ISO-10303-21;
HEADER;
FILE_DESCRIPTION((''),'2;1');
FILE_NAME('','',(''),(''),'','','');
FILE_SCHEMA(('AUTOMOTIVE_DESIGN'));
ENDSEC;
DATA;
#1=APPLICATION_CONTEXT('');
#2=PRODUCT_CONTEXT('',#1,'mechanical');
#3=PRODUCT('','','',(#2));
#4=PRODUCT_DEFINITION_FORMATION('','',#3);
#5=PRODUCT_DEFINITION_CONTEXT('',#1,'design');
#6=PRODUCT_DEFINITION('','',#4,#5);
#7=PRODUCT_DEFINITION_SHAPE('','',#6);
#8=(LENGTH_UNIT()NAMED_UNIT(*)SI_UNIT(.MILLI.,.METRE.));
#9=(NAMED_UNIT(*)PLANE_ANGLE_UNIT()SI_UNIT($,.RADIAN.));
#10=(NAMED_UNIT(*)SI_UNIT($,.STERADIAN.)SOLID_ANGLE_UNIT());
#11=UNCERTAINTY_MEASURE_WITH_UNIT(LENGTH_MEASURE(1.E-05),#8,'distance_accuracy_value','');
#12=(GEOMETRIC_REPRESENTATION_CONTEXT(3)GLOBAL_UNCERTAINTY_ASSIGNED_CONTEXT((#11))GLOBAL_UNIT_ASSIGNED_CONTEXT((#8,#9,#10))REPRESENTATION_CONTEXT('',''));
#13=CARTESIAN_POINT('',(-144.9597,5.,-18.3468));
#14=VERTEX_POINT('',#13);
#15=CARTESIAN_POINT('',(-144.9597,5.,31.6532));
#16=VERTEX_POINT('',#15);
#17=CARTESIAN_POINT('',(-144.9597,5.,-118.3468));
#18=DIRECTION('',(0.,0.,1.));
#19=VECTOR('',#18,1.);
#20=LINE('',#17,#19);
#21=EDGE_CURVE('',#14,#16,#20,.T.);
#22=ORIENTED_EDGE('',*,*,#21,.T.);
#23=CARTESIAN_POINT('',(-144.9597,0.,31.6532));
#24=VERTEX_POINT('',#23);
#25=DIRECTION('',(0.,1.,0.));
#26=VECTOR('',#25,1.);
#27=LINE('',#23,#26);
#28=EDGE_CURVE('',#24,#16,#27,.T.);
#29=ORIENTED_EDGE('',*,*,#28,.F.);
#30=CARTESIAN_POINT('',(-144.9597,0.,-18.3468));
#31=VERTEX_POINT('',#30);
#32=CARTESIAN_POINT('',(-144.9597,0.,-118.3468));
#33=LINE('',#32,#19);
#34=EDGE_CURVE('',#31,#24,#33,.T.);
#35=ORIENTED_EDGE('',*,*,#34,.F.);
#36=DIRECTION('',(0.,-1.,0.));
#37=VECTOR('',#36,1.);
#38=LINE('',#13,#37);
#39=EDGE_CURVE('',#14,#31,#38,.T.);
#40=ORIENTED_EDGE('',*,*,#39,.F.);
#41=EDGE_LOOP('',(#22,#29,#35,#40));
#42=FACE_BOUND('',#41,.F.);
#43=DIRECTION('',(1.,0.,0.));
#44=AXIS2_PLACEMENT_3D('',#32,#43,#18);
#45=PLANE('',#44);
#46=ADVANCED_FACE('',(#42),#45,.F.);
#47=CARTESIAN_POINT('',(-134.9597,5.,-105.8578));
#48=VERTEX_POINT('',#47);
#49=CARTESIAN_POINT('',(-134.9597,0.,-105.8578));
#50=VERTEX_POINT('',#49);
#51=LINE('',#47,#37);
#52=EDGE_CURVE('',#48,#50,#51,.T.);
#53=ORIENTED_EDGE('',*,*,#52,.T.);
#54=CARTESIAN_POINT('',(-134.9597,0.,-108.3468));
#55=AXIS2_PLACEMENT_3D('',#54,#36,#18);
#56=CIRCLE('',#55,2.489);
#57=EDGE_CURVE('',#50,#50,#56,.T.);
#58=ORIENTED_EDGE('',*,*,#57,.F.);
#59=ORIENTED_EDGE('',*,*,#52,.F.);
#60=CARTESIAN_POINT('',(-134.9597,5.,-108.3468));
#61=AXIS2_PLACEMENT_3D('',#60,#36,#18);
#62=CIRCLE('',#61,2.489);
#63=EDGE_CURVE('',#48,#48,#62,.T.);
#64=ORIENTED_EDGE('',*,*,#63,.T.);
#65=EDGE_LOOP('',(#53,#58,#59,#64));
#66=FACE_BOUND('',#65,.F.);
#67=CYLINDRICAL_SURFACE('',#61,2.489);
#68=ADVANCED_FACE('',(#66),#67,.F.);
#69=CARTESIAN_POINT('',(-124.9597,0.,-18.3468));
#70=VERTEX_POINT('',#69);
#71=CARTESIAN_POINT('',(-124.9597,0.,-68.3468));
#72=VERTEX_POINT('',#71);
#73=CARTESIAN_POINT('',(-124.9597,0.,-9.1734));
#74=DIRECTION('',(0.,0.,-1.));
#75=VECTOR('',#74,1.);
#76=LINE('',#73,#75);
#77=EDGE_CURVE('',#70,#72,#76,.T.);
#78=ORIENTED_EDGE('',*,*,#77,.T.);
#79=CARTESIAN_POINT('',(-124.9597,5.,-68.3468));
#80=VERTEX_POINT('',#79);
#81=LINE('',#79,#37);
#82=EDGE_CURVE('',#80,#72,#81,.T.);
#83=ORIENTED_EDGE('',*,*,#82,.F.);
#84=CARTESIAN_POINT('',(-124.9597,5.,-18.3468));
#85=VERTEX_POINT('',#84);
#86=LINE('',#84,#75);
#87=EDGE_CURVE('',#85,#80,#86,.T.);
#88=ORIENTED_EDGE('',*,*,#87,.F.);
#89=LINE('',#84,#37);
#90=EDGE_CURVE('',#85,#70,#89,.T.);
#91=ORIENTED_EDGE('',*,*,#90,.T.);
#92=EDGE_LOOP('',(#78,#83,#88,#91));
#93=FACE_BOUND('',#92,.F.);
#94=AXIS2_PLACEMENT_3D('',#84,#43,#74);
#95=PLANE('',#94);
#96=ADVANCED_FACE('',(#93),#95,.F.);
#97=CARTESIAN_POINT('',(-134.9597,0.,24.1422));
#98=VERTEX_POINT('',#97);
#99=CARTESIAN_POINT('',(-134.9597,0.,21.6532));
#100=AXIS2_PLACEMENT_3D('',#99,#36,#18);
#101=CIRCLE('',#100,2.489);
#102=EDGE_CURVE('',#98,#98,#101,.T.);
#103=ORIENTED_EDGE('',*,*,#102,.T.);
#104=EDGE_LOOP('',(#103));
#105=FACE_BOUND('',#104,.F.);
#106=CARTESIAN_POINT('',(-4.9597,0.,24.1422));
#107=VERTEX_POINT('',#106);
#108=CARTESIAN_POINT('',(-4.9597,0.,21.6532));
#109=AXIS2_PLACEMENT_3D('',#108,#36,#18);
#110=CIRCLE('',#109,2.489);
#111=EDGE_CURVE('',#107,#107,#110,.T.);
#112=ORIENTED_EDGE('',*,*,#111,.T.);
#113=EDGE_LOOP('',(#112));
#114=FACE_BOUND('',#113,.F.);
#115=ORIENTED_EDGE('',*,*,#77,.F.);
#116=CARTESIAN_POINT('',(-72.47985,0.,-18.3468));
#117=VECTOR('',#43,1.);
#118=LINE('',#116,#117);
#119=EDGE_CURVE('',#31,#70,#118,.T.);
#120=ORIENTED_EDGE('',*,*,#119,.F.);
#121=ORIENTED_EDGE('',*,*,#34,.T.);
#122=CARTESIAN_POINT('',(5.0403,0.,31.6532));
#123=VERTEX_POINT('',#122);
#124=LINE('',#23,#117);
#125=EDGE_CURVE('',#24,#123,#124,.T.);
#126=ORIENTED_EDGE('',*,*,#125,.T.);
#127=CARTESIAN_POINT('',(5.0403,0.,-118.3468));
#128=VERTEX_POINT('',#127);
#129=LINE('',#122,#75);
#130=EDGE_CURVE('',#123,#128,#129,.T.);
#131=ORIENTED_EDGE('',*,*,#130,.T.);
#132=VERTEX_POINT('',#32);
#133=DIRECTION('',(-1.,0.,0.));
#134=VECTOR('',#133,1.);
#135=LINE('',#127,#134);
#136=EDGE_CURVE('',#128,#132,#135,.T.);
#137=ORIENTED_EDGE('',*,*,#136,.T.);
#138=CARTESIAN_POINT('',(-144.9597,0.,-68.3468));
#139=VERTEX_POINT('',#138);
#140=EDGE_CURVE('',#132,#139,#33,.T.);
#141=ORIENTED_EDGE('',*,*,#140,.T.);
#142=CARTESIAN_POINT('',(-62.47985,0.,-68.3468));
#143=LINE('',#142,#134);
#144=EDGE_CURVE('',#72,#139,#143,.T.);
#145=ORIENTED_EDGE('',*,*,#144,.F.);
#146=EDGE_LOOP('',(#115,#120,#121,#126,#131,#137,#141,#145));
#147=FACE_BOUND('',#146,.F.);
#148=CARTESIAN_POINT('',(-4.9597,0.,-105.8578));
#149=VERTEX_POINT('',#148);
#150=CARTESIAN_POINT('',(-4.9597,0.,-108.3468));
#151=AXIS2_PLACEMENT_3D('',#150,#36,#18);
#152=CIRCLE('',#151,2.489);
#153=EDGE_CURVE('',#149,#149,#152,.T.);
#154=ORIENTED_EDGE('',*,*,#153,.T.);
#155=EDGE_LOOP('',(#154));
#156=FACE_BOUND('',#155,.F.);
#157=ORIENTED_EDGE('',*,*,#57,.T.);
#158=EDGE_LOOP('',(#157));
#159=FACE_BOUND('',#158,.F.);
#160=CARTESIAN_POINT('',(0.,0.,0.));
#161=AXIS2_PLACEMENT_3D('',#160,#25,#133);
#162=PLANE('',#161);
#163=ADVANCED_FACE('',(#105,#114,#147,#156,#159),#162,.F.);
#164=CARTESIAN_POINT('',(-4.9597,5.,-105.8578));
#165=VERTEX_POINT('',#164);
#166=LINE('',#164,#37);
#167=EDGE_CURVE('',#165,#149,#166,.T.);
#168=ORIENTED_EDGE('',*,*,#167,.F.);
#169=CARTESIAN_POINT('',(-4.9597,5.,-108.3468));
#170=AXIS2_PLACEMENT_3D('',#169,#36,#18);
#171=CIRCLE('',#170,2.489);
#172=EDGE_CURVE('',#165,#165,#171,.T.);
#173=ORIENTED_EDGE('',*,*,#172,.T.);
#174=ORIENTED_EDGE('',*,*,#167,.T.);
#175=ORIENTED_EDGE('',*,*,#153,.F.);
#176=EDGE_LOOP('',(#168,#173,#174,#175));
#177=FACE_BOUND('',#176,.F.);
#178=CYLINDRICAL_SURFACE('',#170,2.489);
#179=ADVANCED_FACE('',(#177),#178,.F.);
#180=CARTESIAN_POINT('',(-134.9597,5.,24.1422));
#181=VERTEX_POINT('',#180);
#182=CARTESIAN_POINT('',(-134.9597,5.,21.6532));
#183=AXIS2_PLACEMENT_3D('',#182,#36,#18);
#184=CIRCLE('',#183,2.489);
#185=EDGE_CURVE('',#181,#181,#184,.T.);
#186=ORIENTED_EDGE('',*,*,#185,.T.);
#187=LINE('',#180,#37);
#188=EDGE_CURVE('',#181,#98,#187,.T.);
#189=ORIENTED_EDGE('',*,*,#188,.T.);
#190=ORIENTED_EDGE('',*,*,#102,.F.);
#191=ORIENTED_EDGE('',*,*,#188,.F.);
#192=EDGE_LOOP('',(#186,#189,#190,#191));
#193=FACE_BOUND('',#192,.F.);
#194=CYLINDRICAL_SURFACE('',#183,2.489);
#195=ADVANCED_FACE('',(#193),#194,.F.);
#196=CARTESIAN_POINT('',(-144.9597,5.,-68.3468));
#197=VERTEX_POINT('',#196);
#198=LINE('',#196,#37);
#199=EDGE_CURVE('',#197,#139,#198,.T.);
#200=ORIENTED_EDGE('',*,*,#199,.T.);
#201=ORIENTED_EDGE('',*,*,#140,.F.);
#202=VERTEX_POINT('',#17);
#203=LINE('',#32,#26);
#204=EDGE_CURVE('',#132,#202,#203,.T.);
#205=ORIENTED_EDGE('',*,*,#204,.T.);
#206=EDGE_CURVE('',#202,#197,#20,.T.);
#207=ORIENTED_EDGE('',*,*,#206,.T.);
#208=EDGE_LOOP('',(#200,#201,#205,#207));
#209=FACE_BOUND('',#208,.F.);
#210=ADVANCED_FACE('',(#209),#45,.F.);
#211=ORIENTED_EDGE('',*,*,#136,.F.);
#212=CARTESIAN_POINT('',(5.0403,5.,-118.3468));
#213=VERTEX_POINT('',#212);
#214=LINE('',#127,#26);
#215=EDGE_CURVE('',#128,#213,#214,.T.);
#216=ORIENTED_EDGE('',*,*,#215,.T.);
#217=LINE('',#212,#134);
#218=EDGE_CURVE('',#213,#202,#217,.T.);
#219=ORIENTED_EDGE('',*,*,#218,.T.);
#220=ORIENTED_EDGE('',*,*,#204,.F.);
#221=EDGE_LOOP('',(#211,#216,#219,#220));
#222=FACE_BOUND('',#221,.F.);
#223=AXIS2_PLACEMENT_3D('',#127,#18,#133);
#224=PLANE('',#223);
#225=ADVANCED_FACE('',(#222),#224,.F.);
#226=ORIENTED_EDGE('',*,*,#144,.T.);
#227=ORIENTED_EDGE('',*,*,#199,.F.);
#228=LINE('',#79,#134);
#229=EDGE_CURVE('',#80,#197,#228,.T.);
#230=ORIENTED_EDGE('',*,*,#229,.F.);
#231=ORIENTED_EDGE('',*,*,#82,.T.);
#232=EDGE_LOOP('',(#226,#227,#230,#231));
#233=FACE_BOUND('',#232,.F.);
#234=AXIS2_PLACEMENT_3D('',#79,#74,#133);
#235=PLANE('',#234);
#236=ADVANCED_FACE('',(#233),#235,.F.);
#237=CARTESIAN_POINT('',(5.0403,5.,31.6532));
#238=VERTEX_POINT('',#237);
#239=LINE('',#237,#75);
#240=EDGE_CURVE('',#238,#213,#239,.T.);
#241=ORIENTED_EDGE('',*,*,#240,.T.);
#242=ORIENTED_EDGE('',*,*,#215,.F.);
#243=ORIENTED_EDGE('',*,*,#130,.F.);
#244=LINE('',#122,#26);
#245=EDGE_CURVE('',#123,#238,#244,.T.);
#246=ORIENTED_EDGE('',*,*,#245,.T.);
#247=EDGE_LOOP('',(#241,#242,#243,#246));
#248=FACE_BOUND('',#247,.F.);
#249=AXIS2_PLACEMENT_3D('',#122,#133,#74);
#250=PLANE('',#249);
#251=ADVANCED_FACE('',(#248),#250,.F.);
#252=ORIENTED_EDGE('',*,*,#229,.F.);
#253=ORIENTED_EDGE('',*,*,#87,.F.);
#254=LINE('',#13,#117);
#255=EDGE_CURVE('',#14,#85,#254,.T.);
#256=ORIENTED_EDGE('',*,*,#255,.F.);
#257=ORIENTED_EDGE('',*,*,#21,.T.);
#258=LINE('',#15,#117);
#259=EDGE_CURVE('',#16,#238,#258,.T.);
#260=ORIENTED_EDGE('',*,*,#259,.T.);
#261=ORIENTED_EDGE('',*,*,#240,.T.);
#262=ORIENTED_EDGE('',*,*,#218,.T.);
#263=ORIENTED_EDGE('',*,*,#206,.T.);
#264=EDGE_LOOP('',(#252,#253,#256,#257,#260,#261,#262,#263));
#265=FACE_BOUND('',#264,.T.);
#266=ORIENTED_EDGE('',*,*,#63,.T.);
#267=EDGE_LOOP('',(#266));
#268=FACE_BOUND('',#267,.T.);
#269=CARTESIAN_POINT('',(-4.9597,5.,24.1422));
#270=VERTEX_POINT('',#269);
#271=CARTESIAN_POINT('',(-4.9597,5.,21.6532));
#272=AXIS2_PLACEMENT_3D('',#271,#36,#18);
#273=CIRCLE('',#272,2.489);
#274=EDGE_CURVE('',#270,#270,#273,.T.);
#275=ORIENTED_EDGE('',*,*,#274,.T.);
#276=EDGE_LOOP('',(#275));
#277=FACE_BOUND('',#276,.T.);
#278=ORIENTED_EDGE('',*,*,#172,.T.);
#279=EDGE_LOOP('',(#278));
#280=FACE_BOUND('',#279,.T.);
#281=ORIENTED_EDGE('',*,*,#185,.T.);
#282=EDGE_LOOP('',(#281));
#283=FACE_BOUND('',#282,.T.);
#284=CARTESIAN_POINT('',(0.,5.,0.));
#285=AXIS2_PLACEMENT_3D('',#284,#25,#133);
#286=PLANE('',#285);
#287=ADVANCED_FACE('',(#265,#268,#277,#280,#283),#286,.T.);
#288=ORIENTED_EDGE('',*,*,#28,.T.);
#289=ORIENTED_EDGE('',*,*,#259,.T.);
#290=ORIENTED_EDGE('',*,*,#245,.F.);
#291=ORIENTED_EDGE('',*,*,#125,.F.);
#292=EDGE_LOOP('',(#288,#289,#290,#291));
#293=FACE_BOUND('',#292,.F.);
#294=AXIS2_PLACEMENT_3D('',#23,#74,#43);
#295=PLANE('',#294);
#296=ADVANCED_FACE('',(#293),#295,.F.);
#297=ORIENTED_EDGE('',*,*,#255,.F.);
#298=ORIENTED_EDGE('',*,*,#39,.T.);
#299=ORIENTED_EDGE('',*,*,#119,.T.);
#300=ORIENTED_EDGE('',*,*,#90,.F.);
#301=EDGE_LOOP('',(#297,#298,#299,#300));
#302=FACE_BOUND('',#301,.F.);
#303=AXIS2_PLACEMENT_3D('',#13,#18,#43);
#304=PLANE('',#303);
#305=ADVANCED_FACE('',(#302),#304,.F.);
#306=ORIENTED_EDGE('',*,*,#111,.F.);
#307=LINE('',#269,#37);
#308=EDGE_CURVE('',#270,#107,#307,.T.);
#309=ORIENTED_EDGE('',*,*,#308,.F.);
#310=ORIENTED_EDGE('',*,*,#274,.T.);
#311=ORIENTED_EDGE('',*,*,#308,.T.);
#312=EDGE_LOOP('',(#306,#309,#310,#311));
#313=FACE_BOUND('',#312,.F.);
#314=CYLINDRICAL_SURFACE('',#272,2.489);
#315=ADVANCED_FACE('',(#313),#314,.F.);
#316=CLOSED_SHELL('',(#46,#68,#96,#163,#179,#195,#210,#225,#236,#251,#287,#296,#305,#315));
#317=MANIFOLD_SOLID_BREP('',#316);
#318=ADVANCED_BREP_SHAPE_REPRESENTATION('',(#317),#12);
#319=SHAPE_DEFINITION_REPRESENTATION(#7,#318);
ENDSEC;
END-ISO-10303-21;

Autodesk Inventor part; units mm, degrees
ref_plane "YZ Plane" through (0, 0, 0) normal (1, 0, 0) x (0, 1, 0)
ref_plane "XZ Plane" through (0, 0, 0) normal (0, 1, 0) x (-1, 0, 0)
ref_plane "XY Plane" through (0, 0, 0) normal (0, 0, 1) x (1, 0, 0)
sketch "Skizze1" plane through (0, 0, 0) normal (0, 1, 0) x (-1, 0, 0)
  line L0 (144.9597, 31.6532) -> (-5.0403, 31.6532)
  line L1 (-5.0403, 31.6532) -> (-5.0403, -118.3468)
  line L2 (-5.0403, -118.3468) -> (144.9597, -118.3468)
  line L3 (144.9597, -118.3468) -> (144.9597, 31.6532)
  line L4 (144.9597, 31.6532) -> (-5.0403, -118.3468) construction
  line L5 (-5.0403, 31.6532) -> (144.9597, -118.3468) construction
  point P0 (0, 0)
  point P1 (69.9597, -43.3468)
  dimension "d0" = 150
  dimension "d1" = 150
extrude "Extrusion1" add sketch "Skizze1" along normal blind 5
sketch "Skizze2" plane through (0, 5, 0) normal (0, 1, 0) x (1, 0, 0)
  circle A0 centre (-134.9597, -21.6532) radius 2.5
  circle A1 centre (-134.9597, 108.3468) radius 2.5
  circle A2 centre (-4.9597, -21.6532) radius 2.5
  circle A3 centre (-4.9597, 108.3468) radius 2.5
  line L0 (-144.9597, 118.3468) -> (-144.9597, -31.6532) projected
  line L1 (-144.9597, -31.6532) -> (5.0403, -31.6532) projected
  line L2 (5.0403, 118.3468) -> (-144.9597, 118.3468) projected
  line L3 (5.0403, -31.6532) -> (5.0403, 118.3468) projected
  point P0 (0, 0)
  dimension "d4" = 5
  dimension "d5" = 5
  dimension "d6" = 5
  dimension "d7" = 5
  dimension "d8" = 10
  dimension "d9" = 10
  dimension "d15" = 10
  dimension "d16" = 10
  dimension "d17" = 10
  dimension "d18" = 10
  dimension "d19" = 10
  dimension "d20" = 10
hole "Bohrung1" at (-134.9597, 5, 21.6532) at (-134.9597, 5, -108.3468) at (-4.9597, 5, -108.3468) at (-4.9597, 5, 21.6532) direction (0, -1, 0) diameter 4.978 depth 19.05 tip angle 118 thread size "1/4-20 UNC" class "2B" standard "ANSI Unified Screw Threads"
sketch "Skizze3" plane through (0, 5, 0) normal (0, 1, 0) x (1, 0, 0)
  line L0 (-144.9597, 118.3468) -> (-144.9597, -31.6532) projected
  line L1 (-144.9597, 18.3468) -> (-124.9597, 18.3468)
  line L2 (-124.9597, 18.3468) -> (-124.9597, 68.3468)
  line L3 (-124.9597, 68.3468) -> (-144.9597, 68.3468)
  line L4 (-144.9597, 68.3468) -> (-144.9597, 18.3468)
  line L5 (-144.9597, -31.6532) -> (5.0403, -31.6532) projected
  point P0 (0, 0)
  dimension "d28" = 20
  dimension "d29" = 50
  dimension "d30" = 50
extrude "Extrusion2" cut sketch "Skizze3" against normal blind 10
properties part number "Grundplatte1"
